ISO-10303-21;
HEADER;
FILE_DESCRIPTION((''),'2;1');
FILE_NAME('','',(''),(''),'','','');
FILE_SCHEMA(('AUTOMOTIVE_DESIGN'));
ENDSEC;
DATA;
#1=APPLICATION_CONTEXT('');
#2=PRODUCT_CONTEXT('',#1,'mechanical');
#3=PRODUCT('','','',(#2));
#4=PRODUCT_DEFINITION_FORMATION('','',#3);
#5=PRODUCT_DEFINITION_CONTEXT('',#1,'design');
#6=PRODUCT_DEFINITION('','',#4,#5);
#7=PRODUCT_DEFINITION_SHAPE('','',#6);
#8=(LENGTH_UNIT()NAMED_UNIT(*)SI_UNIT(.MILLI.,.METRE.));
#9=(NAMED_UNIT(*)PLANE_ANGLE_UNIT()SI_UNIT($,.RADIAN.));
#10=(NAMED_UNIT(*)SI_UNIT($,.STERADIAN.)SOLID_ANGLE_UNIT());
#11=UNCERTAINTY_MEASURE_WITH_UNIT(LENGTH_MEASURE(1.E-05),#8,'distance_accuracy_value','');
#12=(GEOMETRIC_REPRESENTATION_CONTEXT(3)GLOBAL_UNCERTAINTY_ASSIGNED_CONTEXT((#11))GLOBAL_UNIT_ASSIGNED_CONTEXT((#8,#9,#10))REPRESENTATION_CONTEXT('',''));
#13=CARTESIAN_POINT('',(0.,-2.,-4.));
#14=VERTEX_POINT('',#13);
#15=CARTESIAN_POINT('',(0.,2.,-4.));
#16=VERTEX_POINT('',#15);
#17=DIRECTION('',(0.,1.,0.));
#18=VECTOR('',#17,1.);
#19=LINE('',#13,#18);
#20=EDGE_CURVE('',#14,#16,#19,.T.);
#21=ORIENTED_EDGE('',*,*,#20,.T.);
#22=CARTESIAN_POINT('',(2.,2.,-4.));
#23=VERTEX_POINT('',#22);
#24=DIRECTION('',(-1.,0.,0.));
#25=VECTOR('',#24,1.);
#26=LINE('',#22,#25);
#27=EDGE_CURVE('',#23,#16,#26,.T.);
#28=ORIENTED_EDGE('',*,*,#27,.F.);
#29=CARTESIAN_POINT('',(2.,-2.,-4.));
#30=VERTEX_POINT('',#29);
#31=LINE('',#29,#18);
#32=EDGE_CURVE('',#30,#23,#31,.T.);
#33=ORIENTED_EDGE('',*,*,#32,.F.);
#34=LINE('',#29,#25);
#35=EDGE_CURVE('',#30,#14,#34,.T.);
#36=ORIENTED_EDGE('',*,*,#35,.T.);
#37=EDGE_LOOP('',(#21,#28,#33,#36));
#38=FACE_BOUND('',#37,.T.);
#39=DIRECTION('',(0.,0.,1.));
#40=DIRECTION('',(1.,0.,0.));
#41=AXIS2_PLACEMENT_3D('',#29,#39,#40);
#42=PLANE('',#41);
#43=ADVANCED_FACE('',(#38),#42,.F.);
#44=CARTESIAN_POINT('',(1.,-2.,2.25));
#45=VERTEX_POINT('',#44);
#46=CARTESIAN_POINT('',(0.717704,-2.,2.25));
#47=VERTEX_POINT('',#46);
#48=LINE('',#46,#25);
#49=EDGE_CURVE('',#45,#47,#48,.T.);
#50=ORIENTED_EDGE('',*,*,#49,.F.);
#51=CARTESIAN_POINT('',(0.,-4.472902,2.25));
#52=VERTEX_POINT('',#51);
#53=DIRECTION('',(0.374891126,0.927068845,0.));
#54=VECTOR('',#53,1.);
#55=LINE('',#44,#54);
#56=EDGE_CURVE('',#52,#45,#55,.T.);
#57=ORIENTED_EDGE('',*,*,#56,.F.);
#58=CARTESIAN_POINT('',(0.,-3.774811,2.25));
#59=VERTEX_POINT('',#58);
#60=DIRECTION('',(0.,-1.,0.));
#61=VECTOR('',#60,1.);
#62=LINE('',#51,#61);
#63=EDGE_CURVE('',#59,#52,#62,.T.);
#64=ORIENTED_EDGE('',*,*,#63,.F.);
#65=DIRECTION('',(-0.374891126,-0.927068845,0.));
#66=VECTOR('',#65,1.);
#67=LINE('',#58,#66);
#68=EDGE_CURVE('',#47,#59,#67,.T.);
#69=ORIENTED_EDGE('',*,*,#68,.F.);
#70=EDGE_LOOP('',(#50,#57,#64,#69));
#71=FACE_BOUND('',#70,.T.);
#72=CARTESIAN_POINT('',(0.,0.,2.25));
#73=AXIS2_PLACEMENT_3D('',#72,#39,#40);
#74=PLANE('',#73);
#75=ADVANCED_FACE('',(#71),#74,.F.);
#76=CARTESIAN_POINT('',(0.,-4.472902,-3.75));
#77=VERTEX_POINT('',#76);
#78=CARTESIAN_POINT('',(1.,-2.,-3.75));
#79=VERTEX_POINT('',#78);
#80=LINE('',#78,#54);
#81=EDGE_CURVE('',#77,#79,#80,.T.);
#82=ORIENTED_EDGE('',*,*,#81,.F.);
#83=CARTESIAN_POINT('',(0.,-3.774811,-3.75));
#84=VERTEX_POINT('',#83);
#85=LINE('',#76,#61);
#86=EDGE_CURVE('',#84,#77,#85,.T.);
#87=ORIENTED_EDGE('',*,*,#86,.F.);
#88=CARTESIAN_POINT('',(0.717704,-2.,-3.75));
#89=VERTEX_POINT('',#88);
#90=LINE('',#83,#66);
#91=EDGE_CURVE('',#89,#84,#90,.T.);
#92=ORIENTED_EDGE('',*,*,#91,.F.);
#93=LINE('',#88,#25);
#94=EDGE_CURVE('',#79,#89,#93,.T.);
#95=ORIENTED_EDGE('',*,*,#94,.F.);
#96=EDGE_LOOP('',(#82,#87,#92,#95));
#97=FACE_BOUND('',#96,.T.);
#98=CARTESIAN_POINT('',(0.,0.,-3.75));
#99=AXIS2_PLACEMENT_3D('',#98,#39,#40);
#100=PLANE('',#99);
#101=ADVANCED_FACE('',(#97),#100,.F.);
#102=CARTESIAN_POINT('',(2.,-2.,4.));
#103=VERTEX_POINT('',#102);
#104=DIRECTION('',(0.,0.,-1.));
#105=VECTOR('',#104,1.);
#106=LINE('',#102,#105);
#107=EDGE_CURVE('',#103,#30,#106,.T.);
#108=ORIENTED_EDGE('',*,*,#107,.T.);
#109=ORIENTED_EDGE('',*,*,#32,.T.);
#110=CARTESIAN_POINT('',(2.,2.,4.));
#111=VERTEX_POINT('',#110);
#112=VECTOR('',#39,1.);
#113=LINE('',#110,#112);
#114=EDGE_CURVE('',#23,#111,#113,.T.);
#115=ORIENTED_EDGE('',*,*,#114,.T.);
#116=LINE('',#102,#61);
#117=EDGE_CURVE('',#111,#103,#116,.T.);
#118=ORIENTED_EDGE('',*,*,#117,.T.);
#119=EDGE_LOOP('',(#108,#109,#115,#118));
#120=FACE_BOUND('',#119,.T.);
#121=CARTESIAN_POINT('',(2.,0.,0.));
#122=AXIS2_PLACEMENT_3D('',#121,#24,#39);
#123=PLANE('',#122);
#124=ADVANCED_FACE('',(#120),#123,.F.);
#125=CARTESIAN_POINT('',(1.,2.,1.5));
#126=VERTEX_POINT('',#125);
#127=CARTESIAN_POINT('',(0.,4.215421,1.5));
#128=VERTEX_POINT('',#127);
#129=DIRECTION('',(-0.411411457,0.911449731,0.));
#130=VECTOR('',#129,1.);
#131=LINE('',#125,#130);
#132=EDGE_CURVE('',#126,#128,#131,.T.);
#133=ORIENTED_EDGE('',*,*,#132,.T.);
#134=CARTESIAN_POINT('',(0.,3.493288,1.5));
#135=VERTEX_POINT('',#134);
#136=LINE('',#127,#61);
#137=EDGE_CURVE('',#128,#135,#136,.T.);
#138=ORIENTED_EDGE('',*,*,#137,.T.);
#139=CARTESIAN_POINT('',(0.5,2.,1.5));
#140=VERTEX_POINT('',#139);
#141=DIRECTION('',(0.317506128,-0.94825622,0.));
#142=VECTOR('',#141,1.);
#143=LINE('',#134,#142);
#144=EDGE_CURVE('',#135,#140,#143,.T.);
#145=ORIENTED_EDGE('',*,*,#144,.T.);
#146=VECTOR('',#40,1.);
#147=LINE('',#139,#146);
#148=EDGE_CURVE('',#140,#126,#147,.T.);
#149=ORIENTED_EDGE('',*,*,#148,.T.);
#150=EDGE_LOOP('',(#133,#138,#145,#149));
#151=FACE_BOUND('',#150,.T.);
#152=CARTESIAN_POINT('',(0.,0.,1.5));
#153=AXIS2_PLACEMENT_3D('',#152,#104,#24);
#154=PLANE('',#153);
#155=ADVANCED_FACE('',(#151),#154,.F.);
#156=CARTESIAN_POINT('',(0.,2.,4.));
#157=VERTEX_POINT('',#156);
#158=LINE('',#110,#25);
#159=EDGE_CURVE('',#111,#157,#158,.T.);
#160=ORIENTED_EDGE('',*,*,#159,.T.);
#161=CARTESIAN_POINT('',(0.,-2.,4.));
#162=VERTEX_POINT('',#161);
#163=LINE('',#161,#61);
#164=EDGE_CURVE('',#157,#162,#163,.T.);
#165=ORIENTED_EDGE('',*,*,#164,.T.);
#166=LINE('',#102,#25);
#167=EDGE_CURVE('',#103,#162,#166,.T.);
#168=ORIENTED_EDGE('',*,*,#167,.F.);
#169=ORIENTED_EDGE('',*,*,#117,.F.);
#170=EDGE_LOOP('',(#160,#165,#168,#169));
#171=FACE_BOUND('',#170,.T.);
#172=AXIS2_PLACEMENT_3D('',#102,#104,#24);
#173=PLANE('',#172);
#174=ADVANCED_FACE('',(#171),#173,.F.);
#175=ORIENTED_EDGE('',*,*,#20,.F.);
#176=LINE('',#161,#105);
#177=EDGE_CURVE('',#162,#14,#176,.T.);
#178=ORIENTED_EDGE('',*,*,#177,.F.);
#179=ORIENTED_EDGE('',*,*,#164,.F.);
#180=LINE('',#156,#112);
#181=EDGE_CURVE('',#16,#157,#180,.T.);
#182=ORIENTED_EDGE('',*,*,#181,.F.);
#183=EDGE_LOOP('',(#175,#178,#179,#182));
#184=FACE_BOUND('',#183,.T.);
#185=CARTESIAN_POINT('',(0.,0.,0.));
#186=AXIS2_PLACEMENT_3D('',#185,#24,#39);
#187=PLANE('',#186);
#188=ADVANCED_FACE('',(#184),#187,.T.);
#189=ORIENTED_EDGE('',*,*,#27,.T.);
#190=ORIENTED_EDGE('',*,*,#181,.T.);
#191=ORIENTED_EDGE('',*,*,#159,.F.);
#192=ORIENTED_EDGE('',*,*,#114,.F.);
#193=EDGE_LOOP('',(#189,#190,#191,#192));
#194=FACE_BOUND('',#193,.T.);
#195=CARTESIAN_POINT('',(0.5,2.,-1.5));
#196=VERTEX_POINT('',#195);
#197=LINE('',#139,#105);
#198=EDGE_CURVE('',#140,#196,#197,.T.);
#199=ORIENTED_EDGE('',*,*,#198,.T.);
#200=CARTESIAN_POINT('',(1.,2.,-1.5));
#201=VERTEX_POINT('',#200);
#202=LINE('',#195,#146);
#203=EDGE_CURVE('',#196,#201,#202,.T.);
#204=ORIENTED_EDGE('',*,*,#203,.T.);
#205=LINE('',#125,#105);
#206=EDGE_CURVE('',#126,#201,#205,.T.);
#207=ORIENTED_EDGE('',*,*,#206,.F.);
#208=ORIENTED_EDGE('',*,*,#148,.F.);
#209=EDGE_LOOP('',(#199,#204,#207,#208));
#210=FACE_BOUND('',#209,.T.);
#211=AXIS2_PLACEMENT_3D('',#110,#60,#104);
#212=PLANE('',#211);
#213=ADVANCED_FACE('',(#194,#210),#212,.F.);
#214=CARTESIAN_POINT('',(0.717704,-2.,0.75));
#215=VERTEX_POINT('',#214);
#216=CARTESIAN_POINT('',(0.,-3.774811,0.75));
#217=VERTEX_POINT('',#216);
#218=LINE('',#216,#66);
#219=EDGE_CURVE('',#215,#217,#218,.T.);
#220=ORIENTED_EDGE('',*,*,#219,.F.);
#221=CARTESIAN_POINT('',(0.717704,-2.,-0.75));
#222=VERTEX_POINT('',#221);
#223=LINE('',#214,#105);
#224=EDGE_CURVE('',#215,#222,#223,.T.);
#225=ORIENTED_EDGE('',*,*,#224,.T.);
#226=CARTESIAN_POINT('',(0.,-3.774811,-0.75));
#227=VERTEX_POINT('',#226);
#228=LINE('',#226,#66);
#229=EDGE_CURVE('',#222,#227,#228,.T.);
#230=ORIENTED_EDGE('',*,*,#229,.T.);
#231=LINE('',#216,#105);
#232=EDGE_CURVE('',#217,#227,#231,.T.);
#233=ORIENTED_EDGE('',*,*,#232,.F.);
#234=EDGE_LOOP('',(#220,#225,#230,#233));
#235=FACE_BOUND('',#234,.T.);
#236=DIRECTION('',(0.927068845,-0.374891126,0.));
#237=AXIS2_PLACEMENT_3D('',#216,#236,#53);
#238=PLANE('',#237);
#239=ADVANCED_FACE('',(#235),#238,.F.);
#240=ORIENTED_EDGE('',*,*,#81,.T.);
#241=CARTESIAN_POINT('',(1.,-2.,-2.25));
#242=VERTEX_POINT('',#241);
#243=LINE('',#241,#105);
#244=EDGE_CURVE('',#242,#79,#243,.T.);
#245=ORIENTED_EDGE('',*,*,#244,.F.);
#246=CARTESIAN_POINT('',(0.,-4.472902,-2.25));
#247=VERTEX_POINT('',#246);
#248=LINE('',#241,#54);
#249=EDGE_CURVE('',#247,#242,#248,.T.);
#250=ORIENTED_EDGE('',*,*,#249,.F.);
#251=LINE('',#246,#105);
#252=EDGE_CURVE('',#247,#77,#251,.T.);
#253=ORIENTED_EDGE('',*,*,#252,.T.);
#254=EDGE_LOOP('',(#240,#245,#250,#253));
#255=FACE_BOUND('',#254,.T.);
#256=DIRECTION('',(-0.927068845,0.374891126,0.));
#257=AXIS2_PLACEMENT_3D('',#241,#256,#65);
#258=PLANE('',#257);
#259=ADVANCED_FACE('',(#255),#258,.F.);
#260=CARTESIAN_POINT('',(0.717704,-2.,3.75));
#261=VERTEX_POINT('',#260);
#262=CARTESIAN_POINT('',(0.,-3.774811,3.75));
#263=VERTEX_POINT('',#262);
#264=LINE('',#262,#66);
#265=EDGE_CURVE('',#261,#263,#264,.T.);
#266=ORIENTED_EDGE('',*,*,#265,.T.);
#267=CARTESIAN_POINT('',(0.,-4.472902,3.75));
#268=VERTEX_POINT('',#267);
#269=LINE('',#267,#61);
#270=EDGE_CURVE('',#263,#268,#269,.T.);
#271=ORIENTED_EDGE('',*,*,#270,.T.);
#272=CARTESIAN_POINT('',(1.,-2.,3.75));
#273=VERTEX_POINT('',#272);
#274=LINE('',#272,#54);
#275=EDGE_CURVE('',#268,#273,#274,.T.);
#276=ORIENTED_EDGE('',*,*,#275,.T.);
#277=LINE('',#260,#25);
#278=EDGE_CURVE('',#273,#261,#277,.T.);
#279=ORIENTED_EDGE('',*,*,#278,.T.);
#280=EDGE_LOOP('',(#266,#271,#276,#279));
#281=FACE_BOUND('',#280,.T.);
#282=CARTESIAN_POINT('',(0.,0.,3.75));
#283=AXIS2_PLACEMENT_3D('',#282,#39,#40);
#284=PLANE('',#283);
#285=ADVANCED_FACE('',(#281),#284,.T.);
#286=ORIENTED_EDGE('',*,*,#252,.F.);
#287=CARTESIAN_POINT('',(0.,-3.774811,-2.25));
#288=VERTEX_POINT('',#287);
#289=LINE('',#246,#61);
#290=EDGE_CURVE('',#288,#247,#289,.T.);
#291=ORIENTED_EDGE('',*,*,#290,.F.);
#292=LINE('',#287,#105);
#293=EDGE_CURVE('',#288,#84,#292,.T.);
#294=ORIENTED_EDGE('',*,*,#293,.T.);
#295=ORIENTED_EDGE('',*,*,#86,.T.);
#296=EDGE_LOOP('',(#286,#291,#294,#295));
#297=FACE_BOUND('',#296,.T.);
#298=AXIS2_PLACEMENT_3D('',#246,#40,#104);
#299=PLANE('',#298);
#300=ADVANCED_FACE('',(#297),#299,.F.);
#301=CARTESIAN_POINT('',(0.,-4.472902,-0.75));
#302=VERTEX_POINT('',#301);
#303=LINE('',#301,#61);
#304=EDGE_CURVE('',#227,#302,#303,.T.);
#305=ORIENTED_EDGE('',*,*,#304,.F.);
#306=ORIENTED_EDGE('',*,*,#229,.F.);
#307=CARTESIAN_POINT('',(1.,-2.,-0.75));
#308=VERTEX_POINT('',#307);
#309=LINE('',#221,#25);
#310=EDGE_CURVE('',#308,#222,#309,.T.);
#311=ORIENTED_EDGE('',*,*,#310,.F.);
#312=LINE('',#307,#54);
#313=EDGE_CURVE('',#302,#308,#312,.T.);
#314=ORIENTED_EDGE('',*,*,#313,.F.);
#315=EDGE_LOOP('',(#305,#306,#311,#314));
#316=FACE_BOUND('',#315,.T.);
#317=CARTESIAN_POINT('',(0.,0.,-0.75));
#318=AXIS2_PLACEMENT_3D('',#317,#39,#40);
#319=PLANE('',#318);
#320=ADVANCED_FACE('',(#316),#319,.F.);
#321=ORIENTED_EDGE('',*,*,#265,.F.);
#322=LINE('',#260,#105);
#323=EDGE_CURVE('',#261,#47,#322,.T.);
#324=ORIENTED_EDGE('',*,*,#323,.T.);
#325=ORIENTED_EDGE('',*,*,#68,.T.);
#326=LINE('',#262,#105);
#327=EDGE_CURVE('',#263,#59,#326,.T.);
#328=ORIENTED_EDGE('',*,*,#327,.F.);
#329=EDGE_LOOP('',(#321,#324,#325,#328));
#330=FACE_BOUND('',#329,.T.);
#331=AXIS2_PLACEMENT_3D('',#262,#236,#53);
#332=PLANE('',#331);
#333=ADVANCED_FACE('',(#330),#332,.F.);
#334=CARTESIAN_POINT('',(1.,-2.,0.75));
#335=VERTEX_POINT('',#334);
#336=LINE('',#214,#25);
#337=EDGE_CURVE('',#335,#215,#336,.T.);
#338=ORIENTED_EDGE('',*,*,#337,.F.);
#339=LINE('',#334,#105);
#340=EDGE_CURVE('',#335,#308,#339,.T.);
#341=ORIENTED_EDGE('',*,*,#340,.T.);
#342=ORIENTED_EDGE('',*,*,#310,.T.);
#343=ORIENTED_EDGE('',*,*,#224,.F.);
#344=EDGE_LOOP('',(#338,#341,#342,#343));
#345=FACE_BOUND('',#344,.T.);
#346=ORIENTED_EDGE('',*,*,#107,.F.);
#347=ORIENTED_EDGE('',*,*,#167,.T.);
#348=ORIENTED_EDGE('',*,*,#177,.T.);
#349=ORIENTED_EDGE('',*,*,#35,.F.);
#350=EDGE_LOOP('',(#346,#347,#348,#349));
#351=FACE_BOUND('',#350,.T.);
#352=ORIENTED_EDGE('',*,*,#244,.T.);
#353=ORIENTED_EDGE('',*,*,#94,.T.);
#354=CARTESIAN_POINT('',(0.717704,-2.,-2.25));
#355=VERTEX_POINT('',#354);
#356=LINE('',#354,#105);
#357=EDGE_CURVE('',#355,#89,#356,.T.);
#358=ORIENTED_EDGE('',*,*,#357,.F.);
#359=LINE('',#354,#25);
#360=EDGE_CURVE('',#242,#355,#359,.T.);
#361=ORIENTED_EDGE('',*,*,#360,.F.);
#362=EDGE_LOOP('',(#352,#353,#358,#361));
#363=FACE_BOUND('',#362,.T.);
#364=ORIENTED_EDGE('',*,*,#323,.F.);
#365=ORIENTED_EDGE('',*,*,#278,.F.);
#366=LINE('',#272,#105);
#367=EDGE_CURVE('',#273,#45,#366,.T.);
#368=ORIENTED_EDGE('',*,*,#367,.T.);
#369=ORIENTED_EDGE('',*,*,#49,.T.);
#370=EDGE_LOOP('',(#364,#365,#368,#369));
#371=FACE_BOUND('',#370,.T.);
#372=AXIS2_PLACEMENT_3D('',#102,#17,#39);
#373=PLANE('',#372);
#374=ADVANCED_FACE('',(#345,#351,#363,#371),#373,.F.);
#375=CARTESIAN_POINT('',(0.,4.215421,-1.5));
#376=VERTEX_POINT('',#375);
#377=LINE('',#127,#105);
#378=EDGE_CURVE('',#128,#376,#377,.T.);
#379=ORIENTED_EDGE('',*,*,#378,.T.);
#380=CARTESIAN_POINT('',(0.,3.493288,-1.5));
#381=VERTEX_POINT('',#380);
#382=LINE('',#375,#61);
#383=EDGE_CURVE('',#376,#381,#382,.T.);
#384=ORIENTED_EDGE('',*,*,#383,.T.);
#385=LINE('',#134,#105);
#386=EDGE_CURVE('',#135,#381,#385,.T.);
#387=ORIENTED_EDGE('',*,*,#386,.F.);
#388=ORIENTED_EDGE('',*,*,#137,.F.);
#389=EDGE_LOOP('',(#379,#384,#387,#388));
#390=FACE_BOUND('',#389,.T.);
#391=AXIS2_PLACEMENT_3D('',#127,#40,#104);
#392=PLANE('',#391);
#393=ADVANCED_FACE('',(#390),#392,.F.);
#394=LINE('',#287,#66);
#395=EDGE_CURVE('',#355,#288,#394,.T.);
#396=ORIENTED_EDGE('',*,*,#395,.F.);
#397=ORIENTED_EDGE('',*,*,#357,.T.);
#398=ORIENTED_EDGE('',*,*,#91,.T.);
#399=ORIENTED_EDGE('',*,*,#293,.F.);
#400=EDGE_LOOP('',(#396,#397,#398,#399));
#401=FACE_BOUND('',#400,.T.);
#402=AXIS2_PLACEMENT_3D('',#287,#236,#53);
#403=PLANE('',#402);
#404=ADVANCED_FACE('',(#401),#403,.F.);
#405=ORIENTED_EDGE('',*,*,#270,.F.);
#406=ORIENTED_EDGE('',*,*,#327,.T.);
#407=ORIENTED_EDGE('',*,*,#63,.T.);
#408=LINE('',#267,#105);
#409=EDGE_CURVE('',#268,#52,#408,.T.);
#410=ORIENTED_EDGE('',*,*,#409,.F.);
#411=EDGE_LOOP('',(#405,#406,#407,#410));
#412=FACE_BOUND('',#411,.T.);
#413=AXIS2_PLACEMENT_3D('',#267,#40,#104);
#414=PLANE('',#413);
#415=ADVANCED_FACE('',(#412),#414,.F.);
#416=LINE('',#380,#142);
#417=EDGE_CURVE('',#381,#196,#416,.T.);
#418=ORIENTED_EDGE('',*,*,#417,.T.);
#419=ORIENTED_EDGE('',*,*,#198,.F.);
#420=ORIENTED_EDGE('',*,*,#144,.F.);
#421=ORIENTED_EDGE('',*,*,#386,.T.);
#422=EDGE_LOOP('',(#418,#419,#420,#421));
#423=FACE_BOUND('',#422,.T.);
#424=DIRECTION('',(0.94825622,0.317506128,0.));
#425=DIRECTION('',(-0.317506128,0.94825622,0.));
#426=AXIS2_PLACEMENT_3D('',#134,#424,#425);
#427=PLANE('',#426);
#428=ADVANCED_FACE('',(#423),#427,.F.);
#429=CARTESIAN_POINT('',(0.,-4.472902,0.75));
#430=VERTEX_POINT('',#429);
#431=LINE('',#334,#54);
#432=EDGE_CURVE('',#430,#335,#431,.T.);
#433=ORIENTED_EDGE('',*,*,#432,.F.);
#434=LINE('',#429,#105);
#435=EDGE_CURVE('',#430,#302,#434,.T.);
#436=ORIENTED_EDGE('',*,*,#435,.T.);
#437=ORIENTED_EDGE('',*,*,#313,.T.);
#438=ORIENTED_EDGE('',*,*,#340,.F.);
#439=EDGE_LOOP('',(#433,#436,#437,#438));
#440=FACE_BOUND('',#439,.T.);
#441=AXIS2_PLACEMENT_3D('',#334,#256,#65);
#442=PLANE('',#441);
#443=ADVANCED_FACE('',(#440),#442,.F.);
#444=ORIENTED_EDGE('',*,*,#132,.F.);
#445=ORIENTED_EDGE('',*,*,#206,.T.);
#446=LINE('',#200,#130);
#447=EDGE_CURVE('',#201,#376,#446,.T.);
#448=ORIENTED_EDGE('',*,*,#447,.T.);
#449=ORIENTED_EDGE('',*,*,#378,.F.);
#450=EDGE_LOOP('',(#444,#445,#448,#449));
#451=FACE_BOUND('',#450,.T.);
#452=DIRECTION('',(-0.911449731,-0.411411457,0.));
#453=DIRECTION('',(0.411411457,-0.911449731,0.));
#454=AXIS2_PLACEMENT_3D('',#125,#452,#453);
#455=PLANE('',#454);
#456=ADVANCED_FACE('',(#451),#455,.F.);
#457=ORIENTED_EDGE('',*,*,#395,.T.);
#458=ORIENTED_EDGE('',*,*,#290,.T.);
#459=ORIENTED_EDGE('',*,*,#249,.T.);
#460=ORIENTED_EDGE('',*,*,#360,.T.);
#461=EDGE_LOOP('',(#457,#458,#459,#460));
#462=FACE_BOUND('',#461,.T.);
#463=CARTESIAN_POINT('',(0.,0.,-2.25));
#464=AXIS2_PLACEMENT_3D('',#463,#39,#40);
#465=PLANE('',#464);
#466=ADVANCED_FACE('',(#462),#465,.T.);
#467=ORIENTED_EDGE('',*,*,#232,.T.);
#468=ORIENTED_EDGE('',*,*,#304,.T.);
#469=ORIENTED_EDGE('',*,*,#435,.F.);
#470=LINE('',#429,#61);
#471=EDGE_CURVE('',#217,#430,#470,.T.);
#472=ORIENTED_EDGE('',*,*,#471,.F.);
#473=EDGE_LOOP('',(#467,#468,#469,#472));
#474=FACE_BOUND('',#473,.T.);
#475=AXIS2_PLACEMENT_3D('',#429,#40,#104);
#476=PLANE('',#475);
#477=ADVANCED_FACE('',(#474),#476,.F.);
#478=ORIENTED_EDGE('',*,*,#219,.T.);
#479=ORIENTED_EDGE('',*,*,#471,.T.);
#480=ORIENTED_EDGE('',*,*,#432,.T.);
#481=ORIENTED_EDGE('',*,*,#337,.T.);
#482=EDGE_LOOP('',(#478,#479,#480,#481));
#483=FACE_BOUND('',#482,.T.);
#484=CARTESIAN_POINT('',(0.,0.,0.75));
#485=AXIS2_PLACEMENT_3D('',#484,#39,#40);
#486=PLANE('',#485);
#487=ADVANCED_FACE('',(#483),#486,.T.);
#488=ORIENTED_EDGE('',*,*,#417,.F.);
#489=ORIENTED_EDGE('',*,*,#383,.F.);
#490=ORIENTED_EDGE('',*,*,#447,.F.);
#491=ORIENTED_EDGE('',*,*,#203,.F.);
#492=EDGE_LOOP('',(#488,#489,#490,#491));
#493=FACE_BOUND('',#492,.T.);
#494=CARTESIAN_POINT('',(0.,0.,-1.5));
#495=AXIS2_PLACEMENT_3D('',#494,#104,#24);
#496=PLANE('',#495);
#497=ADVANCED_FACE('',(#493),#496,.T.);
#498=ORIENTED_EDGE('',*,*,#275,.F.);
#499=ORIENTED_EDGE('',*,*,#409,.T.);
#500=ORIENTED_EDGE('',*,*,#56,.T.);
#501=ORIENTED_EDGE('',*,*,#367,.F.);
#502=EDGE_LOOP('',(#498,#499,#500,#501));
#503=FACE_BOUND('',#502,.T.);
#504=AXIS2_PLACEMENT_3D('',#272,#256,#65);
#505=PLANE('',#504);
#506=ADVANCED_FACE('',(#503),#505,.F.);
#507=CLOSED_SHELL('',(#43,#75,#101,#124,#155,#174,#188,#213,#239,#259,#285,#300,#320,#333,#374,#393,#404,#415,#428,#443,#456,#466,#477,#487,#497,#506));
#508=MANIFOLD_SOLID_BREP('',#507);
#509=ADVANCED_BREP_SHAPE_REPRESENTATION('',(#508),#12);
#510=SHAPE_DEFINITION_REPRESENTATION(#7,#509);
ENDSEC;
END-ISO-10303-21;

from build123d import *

# Parameters (mm, degrees)
SKETCH_1_W                 = 8
SKETCH_1_H                 = 4
EXTRUDE_1_DEPTH            = 2
EXTRUDE_2_DEPTH            = 1.5
EXTRUDE_3_DEPTH            = 0.75
PATTERN_LINEAR_1_COUNT     = 2
PATTERN_LINEAR_1_PITCH     = 3
PATTERN_LINEAR_1_COL_COUNT = 2
PATTERN_LINEAR_1_COL_PITCH = 3


with BuildPart() as part:
    # 草图1 → 凸台-拉伸1 (new body)
    with BuildSketch(Plane(origin=(0, 0, 0), x_dir=(0, 0, -1), z_dir=(1, 0, 0))):
        Rectangle(SKETCH_1_W, SKETCH_1_H)
    extrude(amount=EXTRUDE_1_DEPTH)

    # 草图2 → 凸台-拉伸2 (add, symmetric)
    with BuildSketch(Plane.XY):
        Polygon((1, 2), (0, 4.215421364), (0, 3.49328806), (0.5, 2), align=None)
    extrude(amount=EXTRUDE_2_DEPTH, both=True)

    # 草图3 → 凸台-拉伸3 (add, symmetric)
    with BuildSketch(Plane.XY):
        Polygon((1, -2), (0, -4.472901544), (0, -3.77481073), (0.717703758, -2), align=None)
    extrude_3 = extrude(amount=EXTRUDE_3_DEPTH, both=True)

    # 阵列(线性)1: 凸台-拉伸3 ×2
    with Locations(*[(0, 0, i * PATTERN_LINEAR_1_PITCH) for i in range(1, PATTERN_LINEAR_1_COUNT)]):
        add(extrude_3)

    # 阵列(线性)1 col: 凸台-拉伸3 ×2
    with Locations(*[(0, 0, -i * PATTERN_LINEAR_1_COL_PITCH) for i in range(1, PATTERN_LINEAR_1_COL_COUNT)]):
        add(extrude_3)


solid = part.part
